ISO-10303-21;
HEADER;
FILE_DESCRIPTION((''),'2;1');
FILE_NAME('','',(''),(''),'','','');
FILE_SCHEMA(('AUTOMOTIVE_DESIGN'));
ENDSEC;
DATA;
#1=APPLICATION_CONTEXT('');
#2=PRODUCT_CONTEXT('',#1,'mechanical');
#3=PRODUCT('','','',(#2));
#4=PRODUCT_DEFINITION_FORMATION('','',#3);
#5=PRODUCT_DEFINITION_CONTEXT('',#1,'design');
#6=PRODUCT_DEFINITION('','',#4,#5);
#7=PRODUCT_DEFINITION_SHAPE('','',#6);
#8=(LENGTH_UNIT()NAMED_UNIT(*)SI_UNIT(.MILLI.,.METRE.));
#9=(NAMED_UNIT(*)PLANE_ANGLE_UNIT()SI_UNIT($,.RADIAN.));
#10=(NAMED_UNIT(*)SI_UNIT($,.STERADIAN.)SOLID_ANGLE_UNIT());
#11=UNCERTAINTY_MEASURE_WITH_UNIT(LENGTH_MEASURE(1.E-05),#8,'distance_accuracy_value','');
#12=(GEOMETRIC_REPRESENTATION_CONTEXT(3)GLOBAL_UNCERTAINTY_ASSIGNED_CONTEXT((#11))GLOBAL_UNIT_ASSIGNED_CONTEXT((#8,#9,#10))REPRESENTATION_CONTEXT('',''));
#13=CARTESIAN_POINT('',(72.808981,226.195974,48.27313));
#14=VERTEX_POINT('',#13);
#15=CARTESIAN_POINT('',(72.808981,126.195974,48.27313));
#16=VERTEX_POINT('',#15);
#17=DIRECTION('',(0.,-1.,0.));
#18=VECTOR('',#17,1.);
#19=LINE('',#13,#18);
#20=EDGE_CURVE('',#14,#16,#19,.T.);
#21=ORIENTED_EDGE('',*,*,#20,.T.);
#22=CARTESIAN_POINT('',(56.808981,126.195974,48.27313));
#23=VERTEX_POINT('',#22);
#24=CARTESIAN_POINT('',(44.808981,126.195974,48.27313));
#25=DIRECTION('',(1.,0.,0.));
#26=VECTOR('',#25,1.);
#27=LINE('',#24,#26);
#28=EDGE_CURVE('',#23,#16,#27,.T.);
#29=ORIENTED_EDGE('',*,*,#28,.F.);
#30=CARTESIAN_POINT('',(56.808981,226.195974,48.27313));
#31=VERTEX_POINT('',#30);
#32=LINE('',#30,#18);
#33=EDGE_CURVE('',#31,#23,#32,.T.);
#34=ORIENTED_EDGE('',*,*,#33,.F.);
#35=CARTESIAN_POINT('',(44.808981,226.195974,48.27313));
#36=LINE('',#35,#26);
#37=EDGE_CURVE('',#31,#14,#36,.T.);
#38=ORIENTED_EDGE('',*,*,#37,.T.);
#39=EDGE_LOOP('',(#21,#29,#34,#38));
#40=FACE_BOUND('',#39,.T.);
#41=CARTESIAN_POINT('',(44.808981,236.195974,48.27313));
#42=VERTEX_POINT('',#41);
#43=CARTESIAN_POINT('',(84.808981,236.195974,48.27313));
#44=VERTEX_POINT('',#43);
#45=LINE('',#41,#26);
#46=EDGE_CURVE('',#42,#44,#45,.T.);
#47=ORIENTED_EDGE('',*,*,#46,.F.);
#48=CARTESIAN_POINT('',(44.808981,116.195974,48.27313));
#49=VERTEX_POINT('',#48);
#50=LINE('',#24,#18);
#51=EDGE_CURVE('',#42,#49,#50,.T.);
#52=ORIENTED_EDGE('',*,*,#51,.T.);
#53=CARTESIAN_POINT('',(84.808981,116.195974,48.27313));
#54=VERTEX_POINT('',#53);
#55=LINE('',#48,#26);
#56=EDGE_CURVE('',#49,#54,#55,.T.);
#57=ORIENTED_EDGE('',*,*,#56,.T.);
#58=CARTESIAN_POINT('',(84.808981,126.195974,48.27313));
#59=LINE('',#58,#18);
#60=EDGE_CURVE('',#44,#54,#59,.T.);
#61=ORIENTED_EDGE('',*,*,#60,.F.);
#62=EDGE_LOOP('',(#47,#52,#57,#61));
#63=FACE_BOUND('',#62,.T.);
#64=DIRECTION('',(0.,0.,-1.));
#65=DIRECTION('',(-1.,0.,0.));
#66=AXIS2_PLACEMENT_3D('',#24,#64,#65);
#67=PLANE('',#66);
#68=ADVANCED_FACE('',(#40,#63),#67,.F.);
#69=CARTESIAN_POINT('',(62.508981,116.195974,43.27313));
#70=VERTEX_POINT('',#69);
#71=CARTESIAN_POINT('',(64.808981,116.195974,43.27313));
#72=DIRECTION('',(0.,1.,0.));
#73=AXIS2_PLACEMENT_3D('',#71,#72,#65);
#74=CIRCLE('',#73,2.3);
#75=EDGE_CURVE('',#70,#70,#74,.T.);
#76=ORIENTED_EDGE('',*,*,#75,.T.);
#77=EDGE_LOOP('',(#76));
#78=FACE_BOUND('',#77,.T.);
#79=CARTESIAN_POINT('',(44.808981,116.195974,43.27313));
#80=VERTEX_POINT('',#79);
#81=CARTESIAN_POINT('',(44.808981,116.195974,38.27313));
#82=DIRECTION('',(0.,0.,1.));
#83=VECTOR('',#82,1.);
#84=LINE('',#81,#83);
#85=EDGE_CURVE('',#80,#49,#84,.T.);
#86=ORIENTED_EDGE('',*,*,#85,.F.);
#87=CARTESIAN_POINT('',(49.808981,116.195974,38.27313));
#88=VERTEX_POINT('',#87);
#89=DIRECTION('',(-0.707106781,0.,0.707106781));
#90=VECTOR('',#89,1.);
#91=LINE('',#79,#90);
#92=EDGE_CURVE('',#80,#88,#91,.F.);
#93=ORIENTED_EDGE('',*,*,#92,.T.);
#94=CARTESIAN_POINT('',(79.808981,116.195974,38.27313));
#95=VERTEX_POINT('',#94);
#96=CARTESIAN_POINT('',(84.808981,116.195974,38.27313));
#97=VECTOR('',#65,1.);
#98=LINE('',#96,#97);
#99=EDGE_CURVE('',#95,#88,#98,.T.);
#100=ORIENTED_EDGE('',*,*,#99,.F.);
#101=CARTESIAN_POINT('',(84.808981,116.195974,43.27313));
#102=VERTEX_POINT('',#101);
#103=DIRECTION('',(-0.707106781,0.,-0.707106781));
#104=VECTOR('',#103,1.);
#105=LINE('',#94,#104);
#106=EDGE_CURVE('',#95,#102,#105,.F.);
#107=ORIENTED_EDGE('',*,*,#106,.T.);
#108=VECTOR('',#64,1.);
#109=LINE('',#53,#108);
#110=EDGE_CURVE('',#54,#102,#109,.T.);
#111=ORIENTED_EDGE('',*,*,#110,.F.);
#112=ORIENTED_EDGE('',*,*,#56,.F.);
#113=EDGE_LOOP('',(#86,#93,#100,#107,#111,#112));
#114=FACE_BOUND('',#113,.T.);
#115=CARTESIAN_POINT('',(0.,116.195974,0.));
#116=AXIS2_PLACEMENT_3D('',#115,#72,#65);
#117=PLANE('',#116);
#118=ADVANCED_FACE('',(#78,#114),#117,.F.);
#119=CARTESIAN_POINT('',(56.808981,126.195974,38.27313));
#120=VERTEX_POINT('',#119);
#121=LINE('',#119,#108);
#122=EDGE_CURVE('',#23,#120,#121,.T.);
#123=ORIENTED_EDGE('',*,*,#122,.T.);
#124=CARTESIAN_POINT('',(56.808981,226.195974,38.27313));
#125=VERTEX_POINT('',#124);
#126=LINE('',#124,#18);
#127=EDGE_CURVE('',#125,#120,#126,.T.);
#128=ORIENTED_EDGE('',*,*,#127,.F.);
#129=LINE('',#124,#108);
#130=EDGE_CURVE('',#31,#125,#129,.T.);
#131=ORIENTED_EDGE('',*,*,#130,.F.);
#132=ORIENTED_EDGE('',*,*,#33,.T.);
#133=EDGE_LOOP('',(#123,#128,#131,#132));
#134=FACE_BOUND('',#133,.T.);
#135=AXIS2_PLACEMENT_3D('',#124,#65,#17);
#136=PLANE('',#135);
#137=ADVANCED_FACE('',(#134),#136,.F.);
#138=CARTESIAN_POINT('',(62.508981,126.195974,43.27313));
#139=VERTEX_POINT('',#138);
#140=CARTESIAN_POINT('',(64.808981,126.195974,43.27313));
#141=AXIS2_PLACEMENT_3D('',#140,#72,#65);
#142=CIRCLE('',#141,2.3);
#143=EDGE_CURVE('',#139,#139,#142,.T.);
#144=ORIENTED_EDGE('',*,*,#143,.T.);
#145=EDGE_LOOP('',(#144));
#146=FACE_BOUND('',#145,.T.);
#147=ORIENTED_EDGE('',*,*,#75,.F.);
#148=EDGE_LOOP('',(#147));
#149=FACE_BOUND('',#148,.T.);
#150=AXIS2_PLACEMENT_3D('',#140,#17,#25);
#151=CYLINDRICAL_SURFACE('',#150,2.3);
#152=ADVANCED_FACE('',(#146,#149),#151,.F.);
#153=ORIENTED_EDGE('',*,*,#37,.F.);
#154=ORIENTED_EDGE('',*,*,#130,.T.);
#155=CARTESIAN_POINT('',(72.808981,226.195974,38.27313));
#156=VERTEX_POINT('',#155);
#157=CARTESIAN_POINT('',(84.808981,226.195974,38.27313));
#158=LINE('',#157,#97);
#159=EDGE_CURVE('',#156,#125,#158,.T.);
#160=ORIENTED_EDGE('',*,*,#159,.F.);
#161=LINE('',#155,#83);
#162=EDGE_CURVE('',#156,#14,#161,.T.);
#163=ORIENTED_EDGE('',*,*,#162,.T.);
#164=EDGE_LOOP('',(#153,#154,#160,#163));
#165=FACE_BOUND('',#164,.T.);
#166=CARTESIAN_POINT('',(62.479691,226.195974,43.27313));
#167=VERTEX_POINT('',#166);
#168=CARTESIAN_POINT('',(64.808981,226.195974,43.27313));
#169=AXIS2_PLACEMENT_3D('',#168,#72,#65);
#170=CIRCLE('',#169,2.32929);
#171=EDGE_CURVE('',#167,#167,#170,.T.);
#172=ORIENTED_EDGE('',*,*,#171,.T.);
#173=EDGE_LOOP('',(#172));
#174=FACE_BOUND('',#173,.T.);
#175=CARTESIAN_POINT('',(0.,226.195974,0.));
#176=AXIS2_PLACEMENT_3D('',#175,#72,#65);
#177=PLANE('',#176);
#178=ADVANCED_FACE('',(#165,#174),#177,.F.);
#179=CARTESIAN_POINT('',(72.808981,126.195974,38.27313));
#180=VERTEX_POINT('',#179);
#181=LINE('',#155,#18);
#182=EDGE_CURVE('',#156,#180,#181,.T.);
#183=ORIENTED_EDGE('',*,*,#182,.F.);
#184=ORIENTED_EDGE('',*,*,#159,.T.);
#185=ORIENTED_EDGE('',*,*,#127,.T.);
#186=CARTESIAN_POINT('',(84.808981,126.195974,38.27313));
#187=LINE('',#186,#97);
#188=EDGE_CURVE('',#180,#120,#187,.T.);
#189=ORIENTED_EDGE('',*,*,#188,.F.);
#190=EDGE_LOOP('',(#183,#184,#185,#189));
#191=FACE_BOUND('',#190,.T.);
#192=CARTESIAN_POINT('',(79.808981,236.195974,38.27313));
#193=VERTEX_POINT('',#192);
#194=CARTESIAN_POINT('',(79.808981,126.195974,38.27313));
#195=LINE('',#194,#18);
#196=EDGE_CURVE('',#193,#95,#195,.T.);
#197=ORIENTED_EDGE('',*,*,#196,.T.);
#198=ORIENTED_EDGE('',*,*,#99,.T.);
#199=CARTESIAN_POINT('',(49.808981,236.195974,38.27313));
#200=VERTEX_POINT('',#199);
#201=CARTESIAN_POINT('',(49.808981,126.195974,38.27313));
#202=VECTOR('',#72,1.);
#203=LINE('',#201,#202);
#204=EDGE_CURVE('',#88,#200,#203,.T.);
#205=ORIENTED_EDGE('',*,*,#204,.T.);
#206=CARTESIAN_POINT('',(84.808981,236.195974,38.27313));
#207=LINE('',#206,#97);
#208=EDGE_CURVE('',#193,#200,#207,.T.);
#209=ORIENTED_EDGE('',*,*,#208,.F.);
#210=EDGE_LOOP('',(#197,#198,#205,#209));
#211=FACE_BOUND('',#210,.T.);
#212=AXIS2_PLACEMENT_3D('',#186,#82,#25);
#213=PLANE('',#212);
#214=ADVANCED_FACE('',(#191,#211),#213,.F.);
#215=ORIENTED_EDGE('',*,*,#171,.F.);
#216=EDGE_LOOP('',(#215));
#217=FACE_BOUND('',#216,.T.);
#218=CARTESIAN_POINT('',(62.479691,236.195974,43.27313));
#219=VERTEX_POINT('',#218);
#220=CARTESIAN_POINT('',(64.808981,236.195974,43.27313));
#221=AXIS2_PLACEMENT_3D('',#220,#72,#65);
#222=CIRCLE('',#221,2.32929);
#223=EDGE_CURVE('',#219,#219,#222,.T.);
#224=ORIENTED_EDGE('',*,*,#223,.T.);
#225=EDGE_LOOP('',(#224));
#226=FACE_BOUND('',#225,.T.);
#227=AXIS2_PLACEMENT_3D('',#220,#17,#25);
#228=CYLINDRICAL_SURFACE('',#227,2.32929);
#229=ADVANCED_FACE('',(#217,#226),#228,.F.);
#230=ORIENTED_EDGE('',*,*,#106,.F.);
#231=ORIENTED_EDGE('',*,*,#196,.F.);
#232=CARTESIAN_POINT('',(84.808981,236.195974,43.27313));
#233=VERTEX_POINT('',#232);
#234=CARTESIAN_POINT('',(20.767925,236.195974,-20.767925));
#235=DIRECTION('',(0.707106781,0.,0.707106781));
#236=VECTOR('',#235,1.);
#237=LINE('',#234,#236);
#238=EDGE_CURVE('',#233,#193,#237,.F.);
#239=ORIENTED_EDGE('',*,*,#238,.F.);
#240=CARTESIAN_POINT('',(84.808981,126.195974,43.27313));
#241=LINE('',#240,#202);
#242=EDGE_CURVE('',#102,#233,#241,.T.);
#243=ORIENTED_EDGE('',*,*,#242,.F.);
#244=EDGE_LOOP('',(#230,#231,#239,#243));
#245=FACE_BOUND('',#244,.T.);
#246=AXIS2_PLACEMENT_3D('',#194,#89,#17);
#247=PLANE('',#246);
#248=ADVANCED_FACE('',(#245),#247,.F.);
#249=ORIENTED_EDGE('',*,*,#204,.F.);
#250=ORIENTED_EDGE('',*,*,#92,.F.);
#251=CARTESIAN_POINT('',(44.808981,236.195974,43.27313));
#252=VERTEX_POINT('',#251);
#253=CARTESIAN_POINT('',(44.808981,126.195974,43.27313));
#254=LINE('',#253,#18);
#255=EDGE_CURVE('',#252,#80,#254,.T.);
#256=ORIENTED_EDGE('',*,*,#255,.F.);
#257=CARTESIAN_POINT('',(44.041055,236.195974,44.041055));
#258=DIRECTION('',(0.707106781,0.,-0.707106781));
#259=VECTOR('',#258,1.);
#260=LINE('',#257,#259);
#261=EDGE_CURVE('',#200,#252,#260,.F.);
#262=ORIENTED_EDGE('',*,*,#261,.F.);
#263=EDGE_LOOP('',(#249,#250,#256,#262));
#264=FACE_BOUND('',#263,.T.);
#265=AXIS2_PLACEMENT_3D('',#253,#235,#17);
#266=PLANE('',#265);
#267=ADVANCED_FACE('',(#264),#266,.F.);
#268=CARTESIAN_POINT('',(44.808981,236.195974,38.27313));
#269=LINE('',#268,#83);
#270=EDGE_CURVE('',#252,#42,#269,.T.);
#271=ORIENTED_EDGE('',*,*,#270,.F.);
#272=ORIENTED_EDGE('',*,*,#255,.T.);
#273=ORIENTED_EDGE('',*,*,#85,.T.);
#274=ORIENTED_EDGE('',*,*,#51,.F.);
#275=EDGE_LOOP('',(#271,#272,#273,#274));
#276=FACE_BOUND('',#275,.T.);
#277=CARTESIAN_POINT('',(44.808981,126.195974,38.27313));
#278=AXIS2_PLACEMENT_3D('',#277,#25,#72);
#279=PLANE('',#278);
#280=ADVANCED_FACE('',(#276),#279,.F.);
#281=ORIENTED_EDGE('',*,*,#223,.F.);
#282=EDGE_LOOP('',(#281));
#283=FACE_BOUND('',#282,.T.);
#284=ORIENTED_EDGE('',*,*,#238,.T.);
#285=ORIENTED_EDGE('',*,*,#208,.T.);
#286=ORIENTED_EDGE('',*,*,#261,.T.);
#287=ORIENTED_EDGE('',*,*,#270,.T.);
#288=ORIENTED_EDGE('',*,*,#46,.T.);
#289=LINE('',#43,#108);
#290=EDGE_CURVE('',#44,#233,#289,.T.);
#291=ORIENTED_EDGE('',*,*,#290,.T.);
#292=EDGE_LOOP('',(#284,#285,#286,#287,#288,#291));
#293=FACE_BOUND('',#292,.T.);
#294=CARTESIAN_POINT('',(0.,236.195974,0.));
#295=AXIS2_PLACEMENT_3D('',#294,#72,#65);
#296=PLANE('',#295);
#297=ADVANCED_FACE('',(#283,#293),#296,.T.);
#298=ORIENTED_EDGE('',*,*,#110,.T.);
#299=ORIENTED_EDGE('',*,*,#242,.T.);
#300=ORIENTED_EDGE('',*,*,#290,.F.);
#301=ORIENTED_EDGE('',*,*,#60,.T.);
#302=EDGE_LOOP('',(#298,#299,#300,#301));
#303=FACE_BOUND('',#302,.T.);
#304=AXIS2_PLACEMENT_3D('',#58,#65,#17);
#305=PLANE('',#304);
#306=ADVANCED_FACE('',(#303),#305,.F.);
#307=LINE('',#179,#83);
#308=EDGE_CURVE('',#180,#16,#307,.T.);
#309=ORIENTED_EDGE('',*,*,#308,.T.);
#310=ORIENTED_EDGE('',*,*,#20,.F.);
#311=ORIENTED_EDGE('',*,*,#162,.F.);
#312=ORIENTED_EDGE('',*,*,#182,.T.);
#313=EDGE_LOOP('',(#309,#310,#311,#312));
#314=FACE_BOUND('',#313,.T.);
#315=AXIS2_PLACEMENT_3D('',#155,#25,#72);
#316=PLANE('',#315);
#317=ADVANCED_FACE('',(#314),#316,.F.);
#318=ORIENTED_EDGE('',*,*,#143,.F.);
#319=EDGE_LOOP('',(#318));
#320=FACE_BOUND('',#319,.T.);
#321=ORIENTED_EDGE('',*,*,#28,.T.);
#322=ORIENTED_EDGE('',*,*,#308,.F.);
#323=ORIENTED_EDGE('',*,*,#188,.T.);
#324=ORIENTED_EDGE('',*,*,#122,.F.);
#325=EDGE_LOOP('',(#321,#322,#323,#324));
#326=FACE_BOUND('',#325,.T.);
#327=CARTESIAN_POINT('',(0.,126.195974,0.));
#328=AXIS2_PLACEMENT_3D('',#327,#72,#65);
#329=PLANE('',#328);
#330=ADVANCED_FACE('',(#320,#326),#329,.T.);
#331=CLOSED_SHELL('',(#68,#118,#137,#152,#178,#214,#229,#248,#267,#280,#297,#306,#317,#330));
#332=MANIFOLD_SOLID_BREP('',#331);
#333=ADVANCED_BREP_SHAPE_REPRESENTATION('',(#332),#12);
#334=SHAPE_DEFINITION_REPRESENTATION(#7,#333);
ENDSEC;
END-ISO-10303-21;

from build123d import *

# Parameters (mm, degrees)
SKETCH_1_W      = 40
SKETCH_1_H      = 10
SKETCH_1_R      = 2.3
EXTRUDE_1_DEPTH = 10
SKETCH_2_W      = 12
SKETCH_2_H      = 10
EXTRUDE_3_DEPTH = 100
SKETCH_3_W      = 40
SKETCH_3_H      = 10
SKETCH_3_R      = 2.329290182
EXTRUDE_4_DEPTH = 10
CHAMFER_1_SIZE  = 5


with BuildPart() as part:
    # Эскиз1 → Бобышка-Вытянуть1 (new body)
    with BuildSketch(Plane(origin=(0, 116.195974268, 0), x_dir=(1, 0, 0), z_dir=(0, 1, 0))):
        with Locations((64.808980694, -43.273129836)):
            Rectangle(SKETCH_1_W, SKETCH_1_H)
        with Locations(Location((64.808980694, -43.273129836, 0), (0, 0, 180))):
            Circle(SKETCH_1_R, mode=Mode.SUBTRACT)
    extrude(amount=EXTRUDE_1_DEPTH)

    # Эскиз2 → Бобышка-Вытянуть3 (add)
    with BuildSketch(Plane(origin=(0, 126.195974268, 0), x_dir=(1, 0, 0), z_dir=(0, 1, 0))):
        with Locations((50.808980694, -43.273129836)):
            Rectangle(SKETCH_2_W, SKETCH_2_H)
        with Locations((78.808980694, -43.273129836)):
            Rectangle(SKETCH_2_W, SKETCH_2_H)
    extrude(amount=EXTRUDE_3_DEPTH)

    # Эскиз3 → Бобышка-Вытянуть4 (add)
    with BuildSketch(Plane(origin=(0, 226.195974268, 0), x_dir=(1, 0, 0), z_dir=(0, 1, 0))):
        with Locations((64.808980694, -43.273129836)):
            Rectangle(SKETCH_3_W, SKETCH_3_H)
        with Locations(Location((64.808980694, -43.273129836, 0), (0, 0, 180))):
            Circle(SKETCH_3_R, mode=Mode.SUBTRACT)
    extrude(amount=EXTRUDE_4_DEPTH)

    # Фаска1
    chamfer_1_edges = [part.edges().sort_by_distance(p)[0] for p in [
        (44.808980694, 176.195974268, 38.273129836),
        (84.808980694, 176.195974268, 38.273129836),
    ]]
    chamfer(chamfer_1_edges, length=CHAMFER_1_SIZE)


solid = part.part
